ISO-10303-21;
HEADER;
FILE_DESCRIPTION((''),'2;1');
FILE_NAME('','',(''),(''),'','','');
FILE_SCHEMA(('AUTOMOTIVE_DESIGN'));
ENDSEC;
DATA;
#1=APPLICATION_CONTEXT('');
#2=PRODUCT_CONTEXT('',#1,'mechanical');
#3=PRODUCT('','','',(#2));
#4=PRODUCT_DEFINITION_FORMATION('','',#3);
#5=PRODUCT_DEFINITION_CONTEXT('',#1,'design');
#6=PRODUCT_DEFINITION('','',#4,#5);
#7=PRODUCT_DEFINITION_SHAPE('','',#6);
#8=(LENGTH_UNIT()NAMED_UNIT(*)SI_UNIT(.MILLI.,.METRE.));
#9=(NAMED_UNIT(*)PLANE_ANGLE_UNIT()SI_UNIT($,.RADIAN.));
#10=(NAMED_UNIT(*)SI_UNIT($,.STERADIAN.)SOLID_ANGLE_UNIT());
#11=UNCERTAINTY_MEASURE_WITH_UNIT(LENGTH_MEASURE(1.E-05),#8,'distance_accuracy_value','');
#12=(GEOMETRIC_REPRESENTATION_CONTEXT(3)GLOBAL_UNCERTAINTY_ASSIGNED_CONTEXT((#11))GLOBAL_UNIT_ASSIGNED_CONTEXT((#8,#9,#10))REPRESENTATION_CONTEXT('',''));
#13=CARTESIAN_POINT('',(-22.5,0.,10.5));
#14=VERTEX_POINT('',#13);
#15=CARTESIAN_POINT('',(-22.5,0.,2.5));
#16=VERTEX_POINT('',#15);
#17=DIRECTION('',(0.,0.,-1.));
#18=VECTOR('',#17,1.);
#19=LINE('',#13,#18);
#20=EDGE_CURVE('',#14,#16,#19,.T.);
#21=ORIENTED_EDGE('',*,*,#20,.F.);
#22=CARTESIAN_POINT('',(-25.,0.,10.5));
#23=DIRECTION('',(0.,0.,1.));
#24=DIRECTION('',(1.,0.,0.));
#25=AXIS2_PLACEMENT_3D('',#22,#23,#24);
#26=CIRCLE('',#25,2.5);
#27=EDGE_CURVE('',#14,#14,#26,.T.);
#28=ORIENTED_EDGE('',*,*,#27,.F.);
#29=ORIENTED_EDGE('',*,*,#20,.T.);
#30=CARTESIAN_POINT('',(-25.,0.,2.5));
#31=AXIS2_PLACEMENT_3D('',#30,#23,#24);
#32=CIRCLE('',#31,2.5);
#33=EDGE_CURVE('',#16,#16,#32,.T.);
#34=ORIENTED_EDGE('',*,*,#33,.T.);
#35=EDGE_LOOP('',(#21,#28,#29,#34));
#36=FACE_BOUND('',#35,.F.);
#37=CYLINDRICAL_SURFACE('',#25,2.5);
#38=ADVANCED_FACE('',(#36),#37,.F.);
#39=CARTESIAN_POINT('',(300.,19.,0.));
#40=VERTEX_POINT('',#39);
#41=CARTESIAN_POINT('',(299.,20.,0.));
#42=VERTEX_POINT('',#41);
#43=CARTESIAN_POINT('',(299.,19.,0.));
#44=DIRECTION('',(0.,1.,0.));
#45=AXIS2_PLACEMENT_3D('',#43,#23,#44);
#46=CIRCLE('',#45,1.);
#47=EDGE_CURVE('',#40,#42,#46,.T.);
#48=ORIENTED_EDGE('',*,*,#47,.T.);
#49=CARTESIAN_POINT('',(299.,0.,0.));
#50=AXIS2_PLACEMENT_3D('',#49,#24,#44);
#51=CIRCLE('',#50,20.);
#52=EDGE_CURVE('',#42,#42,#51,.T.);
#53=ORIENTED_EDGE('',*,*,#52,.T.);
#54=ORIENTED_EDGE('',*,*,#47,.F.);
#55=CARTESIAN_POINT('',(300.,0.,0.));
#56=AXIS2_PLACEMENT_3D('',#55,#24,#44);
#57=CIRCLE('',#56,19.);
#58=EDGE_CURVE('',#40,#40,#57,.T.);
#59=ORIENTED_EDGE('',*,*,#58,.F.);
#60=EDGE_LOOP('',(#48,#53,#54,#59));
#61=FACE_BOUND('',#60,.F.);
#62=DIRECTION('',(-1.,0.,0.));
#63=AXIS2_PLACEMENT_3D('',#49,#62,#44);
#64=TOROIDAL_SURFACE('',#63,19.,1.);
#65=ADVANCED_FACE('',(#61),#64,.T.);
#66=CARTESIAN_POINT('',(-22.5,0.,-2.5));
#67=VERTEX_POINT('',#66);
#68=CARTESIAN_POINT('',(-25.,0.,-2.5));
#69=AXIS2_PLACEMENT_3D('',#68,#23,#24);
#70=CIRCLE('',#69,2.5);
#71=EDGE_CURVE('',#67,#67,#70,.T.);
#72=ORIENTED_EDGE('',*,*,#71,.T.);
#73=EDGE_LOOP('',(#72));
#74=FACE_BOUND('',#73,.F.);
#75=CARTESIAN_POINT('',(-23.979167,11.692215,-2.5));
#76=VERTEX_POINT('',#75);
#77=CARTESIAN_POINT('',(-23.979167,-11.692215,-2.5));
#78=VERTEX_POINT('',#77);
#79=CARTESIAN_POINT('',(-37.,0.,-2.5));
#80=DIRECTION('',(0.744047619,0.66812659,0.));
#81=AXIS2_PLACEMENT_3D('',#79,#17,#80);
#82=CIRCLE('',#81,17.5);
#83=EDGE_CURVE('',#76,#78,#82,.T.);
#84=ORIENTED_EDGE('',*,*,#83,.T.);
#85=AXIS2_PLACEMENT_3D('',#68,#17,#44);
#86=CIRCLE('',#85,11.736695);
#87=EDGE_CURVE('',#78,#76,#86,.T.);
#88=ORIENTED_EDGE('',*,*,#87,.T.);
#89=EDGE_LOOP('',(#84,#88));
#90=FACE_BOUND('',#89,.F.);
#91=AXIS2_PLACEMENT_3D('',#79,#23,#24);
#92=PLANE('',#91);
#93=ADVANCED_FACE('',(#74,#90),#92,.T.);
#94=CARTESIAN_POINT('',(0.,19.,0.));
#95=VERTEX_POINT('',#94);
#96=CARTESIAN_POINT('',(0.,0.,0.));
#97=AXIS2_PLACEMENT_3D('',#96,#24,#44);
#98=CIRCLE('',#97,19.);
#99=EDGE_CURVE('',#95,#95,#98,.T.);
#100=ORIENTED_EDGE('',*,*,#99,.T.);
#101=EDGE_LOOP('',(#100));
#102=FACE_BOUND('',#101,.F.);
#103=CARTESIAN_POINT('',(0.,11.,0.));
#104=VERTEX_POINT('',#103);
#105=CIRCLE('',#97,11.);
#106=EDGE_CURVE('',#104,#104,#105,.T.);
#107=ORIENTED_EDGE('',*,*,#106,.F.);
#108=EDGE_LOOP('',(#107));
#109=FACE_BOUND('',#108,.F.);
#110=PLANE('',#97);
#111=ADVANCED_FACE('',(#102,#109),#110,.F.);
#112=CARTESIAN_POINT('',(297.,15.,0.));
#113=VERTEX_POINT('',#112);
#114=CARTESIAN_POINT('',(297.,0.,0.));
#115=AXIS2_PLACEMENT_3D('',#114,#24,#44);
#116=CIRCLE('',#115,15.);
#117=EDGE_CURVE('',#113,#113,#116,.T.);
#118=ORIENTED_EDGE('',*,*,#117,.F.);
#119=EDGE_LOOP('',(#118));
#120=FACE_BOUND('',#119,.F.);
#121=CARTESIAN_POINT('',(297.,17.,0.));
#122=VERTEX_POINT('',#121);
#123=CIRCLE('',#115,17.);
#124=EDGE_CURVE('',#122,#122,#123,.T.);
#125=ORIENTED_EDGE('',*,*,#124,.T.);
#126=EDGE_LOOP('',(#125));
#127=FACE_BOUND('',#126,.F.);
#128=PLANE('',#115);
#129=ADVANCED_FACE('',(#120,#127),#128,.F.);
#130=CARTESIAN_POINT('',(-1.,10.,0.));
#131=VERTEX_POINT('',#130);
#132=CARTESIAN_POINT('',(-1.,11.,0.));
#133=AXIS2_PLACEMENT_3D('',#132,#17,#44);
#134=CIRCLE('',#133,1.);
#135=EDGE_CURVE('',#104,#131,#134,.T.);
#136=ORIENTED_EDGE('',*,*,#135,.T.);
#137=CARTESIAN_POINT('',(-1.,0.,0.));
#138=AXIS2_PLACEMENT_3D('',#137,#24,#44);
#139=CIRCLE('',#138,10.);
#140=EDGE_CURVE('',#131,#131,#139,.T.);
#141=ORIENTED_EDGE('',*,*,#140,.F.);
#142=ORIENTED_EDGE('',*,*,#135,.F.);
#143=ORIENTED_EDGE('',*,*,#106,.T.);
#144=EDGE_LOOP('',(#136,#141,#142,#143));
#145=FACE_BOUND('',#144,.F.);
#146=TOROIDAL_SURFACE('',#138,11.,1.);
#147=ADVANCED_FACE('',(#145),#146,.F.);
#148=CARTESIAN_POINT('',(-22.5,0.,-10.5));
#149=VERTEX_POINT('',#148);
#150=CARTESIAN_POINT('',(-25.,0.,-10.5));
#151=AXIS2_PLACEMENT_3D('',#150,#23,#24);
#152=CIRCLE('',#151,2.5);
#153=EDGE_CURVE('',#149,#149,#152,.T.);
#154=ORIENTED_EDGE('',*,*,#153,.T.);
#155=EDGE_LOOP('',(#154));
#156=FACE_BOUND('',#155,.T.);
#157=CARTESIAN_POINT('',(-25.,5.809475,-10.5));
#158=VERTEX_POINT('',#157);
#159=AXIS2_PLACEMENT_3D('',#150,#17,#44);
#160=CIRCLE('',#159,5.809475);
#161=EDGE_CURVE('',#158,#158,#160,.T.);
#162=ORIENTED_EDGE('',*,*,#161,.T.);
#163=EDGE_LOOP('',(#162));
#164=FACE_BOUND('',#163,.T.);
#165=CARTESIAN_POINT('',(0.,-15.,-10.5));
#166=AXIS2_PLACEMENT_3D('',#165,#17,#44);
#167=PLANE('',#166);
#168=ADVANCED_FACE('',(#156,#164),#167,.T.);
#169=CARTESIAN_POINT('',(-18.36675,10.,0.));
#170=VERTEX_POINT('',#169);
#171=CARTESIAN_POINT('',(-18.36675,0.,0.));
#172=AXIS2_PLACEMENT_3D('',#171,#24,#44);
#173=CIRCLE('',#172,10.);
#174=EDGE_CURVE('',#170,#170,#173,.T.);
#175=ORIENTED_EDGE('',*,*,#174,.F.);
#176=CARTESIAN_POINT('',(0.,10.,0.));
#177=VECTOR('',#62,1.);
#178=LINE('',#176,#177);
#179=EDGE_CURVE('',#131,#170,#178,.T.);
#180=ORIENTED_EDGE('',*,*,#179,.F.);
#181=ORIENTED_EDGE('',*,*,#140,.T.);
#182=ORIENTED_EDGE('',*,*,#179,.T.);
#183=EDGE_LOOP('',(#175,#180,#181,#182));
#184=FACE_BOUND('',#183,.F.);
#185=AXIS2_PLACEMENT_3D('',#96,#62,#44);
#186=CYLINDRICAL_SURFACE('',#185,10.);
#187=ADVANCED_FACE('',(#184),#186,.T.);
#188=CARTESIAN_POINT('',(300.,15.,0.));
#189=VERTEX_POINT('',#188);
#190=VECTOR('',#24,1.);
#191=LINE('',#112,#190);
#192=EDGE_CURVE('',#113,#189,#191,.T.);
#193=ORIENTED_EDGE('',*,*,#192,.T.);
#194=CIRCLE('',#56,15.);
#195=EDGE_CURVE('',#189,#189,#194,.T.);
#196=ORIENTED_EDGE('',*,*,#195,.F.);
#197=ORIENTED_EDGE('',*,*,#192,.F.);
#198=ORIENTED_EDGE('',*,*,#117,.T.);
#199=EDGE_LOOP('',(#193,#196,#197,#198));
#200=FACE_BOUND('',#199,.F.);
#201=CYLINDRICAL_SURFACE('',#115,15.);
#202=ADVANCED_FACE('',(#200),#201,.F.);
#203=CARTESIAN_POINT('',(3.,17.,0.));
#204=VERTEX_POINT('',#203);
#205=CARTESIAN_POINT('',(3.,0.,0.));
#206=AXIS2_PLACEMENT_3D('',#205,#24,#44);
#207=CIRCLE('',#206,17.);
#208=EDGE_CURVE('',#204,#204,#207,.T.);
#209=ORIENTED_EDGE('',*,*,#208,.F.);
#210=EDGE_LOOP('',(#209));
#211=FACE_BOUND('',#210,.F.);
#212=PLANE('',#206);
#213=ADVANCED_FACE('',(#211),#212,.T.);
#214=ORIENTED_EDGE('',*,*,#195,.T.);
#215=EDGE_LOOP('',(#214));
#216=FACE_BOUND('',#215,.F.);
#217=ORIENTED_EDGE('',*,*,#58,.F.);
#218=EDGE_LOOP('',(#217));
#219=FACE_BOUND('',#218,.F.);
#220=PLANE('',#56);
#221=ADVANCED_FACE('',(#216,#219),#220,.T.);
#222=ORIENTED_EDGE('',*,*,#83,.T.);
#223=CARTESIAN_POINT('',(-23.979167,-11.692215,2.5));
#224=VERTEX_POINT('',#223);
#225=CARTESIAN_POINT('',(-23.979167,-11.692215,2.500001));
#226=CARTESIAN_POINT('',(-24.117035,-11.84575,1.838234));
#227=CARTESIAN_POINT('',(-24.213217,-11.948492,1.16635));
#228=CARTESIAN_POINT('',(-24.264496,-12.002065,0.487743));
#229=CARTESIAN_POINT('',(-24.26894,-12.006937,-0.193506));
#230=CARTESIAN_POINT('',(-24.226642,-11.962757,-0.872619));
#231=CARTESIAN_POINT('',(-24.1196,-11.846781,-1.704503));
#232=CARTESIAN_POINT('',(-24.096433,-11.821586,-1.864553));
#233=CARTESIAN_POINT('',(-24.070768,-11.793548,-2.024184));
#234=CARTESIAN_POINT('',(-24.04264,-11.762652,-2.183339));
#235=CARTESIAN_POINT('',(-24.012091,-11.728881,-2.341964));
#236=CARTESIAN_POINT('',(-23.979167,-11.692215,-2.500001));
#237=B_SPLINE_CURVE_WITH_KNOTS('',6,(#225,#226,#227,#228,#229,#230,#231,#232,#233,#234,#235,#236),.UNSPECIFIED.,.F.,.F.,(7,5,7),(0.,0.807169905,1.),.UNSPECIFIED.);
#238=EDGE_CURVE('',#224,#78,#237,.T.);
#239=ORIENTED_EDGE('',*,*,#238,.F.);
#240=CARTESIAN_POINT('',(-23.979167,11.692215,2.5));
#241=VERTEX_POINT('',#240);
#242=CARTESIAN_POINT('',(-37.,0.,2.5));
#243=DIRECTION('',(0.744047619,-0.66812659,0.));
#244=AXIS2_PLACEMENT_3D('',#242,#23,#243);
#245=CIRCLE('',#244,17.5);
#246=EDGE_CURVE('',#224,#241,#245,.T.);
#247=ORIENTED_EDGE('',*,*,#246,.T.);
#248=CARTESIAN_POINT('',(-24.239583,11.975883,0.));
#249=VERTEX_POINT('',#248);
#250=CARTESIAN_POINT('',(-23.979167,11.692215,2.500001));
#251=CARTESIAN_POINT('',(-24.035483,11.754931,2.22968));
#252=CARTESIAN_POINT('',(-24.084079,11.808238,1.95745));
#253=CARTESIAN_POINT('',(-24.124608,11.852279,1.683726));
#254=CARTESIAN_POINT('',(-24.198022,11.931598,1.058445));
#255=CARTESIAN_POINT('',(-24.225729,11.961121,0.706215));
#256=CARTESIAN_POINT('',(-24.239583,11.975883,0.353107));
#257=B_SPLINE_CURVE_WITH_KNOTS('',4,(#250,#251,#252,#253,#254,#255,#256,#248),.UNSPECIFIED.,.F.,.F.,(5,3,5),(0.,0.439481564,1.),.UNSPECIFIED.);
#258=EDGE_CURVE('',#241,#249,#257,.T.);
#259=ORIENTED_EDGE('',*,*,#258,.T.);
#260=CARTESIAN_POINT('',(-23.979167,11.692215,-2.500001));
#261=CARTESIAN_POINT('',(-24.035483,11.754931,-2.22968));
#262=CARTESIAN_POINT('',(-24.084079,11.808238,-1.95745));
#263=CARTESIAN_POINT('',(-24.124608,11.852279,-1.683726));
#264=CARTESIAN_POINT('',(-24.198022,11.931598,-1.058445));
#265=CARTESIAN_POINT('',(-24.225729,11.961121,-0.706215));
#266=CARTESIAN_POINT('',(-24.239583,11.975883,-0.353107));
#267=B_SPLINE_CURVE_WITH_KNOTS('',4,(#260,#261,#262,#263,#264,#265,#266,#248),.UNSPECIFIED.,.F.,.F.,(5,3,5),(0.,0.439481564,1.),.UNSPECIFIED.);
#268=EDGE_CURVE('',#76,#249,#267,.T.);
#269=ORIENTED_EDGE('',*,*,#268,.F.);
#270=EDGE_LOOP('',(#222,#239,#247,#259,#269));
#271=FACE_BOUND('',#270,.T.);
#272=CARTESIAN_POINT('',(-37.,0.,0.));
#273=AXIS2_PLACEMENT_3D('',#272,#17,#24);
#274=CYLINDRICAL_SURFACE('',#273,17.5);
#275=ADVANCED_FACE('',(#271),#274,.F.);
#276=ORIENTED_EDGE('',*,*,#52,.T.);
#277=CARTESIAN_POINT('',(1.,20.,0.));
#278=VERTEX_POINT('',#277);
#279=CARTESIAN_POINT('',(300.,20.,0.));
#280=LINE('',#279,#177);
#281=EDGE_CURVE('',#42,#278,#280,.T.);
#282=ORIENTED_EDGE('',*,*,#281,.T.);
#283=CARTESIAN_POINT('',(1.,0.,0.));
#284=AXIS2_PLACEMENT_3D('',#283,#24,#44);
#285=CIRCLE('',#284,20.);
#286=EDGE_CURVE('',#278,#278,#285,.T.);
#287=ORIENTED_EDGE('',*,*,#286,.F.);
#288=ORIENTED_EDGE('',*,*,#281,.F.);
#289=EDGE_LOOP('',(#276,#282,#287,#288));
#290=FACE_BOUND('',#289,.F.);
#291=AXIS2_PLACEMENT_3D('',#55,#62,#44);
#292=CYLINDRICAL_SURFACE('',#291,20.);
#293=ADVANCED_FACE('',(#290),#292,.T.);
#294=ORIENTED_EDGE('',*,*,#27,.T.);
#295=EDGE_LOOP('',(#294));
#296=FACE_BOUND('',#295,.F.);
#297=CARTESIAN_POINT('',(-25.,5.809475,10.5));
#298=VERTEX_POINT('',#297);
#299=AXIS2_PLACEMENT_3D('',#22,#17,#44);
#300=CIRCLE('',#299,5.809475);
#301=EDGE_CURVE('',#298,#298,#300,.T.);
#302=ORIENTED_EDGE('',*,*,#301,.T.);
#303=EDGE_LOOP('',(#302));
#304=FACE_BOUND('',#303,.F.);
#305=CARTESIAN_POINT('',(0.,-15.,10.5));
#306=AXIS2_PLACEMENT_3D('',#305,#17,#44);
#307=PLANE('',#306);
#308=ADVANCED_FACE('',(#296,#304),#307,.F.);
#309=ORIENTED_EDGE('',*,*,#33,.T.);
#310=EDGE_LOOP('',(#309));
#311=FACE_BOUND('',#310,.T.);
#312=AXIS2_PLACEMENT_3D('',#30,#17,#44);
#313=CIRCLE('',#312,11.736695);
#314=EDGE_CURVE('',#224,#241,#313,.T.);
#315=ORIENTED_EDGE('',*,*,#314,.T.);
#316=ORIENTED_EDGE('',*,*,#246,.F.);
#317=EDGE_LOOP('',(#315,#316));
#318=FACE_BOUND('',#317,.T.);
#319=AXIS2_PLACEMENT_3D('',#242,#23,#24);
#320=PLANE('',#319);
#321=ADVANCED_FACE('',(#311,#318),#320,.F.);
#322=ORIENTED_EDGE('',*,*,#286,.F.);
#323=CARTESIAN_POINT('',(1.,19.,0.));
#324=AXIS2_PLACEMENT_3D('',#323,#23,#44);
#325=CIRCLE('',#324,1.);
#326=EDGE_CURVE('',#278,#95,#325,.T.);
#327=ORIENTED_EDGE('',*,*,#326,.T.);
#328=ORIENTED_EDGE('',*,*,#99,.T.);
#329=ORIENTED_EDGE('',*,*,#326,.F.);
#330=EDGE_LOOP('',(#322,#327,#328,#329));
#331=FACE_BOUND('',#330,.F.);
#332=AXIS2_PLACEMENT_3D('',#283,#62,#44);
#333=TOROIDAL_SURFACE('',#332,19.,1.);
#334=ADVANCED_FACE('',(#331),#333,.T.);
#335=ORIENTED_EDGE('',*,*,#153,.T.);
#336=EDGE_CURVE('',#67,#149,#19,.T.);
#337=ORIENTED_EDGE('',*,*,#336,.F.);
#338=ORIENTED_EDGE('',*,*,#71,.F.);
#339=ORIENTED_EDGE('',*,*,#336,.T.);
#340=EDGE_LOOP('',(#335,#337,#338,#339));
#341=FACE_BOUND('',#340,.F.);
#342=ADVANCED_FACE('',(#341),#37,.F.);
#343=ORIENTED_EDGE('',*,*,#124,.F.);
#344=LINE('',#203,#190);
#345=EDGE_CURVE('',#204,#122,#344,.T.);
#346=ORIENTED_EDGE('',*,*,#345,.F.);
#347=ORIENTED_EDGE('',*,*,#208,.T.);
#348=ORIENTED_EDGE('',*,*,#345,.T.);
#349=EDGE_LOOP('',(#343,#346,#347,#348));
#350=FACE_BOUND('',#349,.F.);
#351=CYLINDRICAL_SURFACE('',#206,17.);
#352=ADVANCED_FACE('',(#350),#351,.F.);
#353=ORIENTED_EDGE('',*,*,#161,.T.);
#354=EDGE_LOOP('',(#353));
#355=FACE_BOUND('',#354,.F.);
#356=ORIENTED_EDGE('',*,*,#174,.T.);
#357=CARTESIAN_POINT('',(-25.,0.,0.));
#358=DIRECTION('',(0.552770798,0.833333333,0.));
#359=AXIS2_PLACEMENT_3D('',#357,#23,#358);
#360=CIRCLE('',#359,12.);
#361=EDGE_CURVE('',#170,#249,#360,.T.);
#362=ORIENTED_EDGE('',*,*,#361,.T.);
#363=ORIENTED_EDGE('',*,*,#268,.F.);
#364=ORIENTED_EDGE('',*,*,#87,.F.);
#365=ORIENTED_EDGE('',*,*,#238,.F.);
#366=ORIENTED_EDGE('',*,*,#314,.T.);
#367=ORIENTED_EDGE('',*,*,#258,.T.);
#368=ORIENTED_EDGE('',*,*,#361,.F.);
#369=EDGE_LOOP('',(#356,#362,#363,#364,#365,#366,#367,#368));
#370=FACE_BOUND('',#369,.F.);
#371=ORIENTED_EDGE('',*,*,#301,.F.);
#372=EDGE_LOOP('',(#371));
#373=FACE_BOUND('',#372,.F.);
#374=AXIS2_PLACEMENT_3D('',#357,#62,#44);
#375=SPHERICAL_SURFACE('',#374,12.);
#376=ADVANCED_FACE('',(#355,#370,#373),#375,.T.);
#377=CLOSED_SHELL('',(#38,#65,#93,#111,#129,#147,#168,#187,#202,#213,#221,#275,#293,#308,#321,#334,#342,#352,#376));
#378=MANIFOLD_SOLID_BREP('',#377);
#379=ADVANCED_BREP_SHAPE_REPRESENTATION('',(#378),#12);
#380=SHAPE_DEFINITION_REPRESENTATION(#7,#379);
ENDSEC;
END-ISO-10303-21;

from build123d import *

# Parameters (mm, degrees)
SKETCH6_OUTSIDE_W       = 110.342
SKETCH6_OUTSIDE_H       = 110.342
SKETCH6_OUTSIDE_W_2     = 21
SKETCH6_OUTSIDE_H_2     = 30
CUT_EXTRUDE3_DEPTH      = 40
SKETCH4_W               = 17.5
SKETCH4_H               = 5
FILLET1_R               = 1
SKETCH8_R               = 2.5
CUT_EXTRUDE4_DEPTH      = 10.5
CUT_EXTRUDE4_DEPTH_BACK = 31.5


with BuildPart() as part:
    # Sketch1 → Revolve1 (revolve)
    with BuildSketch(Plane.XY):
        with BuildLine():
            Line((297, 15), (300, 15))
            Line((300, 15), (300, 20))
            Line((300, 20), (0, 20))
            Line((0, 20), (0, 10))
            Line((0, 10), (-18.366750419, 10))
            ThreePointArc((-18.366750419, 10), (-30.674548662, 10.573528147), (-37, 0))
            Line((-37, 0), (0, 0))
            Line((0, 0), (3, 0))
            Line((3, 0), (3, 17))
            Line((3, 17), (297, 17))
            Line((297, 17), (297, 15))
        make_face()
    revolve(axis=Axis((0, 0, 0), (1, 0, 0)))

    # Sketch6 outside → Cut-Extrude3 (cut)
    with BuildSketch(Plane.ZY):
        Rectangle(SKETCH6_OUTSIDE_W, SKETCH6_OUTSIDE_H)
        Rectangle(SKETCH6_OUTSIDE_W_2, SKETCH6_OUTSIDE_H_2, mode=Mode.SUBTRACT)
    extrude(amount=CUT_EXTRUDE3_DEPTH, mode=Mode.SUBTRACT)

    # Sketch4 → Cut-Revolve1 (revolve, cut)
    with BuildSketch(Plane(origin=(0, 0, 0), x_dir=(1, 0, 0), z_dir=(0, 1, 0))):
        with Locations((-28.25, 0)):
            Rectangle(SKETCH4_W, SKETCH4_H)
    revolve(axis=Axis((-37, 0, -2.5), (0, 0, 1)), mode=Mode.SUBTRACT)

    # Fillet1
    fillet1_edges = [part.edges().sort_by_distance(p)[0] for p in [
        (300, -20, 0),
        (0, -10, 0),
        (0, -20, 0),
    ]]
    fillet(fillet1_edges, radius=FILLET1_R)

    # Sketch8 → Cut-Extrude4 (cut, two sides)
    with BuildSketch(Plane.XY.offset(10.5)) as cut_extrude4_sk:
        with Locations((-25, 0)):
            Circle(SKETCH8_R)
    extrude(amount=CUT_EXTRUDE4_DEPTH, mode=Mode.SUBTRACT)
    extrude(cut_extrude4_sk.sketch, amount=-CUT_EXTRUDE4_DEPTH_BACK, mode=Mode.SUBTRACT)


solid = part.part
